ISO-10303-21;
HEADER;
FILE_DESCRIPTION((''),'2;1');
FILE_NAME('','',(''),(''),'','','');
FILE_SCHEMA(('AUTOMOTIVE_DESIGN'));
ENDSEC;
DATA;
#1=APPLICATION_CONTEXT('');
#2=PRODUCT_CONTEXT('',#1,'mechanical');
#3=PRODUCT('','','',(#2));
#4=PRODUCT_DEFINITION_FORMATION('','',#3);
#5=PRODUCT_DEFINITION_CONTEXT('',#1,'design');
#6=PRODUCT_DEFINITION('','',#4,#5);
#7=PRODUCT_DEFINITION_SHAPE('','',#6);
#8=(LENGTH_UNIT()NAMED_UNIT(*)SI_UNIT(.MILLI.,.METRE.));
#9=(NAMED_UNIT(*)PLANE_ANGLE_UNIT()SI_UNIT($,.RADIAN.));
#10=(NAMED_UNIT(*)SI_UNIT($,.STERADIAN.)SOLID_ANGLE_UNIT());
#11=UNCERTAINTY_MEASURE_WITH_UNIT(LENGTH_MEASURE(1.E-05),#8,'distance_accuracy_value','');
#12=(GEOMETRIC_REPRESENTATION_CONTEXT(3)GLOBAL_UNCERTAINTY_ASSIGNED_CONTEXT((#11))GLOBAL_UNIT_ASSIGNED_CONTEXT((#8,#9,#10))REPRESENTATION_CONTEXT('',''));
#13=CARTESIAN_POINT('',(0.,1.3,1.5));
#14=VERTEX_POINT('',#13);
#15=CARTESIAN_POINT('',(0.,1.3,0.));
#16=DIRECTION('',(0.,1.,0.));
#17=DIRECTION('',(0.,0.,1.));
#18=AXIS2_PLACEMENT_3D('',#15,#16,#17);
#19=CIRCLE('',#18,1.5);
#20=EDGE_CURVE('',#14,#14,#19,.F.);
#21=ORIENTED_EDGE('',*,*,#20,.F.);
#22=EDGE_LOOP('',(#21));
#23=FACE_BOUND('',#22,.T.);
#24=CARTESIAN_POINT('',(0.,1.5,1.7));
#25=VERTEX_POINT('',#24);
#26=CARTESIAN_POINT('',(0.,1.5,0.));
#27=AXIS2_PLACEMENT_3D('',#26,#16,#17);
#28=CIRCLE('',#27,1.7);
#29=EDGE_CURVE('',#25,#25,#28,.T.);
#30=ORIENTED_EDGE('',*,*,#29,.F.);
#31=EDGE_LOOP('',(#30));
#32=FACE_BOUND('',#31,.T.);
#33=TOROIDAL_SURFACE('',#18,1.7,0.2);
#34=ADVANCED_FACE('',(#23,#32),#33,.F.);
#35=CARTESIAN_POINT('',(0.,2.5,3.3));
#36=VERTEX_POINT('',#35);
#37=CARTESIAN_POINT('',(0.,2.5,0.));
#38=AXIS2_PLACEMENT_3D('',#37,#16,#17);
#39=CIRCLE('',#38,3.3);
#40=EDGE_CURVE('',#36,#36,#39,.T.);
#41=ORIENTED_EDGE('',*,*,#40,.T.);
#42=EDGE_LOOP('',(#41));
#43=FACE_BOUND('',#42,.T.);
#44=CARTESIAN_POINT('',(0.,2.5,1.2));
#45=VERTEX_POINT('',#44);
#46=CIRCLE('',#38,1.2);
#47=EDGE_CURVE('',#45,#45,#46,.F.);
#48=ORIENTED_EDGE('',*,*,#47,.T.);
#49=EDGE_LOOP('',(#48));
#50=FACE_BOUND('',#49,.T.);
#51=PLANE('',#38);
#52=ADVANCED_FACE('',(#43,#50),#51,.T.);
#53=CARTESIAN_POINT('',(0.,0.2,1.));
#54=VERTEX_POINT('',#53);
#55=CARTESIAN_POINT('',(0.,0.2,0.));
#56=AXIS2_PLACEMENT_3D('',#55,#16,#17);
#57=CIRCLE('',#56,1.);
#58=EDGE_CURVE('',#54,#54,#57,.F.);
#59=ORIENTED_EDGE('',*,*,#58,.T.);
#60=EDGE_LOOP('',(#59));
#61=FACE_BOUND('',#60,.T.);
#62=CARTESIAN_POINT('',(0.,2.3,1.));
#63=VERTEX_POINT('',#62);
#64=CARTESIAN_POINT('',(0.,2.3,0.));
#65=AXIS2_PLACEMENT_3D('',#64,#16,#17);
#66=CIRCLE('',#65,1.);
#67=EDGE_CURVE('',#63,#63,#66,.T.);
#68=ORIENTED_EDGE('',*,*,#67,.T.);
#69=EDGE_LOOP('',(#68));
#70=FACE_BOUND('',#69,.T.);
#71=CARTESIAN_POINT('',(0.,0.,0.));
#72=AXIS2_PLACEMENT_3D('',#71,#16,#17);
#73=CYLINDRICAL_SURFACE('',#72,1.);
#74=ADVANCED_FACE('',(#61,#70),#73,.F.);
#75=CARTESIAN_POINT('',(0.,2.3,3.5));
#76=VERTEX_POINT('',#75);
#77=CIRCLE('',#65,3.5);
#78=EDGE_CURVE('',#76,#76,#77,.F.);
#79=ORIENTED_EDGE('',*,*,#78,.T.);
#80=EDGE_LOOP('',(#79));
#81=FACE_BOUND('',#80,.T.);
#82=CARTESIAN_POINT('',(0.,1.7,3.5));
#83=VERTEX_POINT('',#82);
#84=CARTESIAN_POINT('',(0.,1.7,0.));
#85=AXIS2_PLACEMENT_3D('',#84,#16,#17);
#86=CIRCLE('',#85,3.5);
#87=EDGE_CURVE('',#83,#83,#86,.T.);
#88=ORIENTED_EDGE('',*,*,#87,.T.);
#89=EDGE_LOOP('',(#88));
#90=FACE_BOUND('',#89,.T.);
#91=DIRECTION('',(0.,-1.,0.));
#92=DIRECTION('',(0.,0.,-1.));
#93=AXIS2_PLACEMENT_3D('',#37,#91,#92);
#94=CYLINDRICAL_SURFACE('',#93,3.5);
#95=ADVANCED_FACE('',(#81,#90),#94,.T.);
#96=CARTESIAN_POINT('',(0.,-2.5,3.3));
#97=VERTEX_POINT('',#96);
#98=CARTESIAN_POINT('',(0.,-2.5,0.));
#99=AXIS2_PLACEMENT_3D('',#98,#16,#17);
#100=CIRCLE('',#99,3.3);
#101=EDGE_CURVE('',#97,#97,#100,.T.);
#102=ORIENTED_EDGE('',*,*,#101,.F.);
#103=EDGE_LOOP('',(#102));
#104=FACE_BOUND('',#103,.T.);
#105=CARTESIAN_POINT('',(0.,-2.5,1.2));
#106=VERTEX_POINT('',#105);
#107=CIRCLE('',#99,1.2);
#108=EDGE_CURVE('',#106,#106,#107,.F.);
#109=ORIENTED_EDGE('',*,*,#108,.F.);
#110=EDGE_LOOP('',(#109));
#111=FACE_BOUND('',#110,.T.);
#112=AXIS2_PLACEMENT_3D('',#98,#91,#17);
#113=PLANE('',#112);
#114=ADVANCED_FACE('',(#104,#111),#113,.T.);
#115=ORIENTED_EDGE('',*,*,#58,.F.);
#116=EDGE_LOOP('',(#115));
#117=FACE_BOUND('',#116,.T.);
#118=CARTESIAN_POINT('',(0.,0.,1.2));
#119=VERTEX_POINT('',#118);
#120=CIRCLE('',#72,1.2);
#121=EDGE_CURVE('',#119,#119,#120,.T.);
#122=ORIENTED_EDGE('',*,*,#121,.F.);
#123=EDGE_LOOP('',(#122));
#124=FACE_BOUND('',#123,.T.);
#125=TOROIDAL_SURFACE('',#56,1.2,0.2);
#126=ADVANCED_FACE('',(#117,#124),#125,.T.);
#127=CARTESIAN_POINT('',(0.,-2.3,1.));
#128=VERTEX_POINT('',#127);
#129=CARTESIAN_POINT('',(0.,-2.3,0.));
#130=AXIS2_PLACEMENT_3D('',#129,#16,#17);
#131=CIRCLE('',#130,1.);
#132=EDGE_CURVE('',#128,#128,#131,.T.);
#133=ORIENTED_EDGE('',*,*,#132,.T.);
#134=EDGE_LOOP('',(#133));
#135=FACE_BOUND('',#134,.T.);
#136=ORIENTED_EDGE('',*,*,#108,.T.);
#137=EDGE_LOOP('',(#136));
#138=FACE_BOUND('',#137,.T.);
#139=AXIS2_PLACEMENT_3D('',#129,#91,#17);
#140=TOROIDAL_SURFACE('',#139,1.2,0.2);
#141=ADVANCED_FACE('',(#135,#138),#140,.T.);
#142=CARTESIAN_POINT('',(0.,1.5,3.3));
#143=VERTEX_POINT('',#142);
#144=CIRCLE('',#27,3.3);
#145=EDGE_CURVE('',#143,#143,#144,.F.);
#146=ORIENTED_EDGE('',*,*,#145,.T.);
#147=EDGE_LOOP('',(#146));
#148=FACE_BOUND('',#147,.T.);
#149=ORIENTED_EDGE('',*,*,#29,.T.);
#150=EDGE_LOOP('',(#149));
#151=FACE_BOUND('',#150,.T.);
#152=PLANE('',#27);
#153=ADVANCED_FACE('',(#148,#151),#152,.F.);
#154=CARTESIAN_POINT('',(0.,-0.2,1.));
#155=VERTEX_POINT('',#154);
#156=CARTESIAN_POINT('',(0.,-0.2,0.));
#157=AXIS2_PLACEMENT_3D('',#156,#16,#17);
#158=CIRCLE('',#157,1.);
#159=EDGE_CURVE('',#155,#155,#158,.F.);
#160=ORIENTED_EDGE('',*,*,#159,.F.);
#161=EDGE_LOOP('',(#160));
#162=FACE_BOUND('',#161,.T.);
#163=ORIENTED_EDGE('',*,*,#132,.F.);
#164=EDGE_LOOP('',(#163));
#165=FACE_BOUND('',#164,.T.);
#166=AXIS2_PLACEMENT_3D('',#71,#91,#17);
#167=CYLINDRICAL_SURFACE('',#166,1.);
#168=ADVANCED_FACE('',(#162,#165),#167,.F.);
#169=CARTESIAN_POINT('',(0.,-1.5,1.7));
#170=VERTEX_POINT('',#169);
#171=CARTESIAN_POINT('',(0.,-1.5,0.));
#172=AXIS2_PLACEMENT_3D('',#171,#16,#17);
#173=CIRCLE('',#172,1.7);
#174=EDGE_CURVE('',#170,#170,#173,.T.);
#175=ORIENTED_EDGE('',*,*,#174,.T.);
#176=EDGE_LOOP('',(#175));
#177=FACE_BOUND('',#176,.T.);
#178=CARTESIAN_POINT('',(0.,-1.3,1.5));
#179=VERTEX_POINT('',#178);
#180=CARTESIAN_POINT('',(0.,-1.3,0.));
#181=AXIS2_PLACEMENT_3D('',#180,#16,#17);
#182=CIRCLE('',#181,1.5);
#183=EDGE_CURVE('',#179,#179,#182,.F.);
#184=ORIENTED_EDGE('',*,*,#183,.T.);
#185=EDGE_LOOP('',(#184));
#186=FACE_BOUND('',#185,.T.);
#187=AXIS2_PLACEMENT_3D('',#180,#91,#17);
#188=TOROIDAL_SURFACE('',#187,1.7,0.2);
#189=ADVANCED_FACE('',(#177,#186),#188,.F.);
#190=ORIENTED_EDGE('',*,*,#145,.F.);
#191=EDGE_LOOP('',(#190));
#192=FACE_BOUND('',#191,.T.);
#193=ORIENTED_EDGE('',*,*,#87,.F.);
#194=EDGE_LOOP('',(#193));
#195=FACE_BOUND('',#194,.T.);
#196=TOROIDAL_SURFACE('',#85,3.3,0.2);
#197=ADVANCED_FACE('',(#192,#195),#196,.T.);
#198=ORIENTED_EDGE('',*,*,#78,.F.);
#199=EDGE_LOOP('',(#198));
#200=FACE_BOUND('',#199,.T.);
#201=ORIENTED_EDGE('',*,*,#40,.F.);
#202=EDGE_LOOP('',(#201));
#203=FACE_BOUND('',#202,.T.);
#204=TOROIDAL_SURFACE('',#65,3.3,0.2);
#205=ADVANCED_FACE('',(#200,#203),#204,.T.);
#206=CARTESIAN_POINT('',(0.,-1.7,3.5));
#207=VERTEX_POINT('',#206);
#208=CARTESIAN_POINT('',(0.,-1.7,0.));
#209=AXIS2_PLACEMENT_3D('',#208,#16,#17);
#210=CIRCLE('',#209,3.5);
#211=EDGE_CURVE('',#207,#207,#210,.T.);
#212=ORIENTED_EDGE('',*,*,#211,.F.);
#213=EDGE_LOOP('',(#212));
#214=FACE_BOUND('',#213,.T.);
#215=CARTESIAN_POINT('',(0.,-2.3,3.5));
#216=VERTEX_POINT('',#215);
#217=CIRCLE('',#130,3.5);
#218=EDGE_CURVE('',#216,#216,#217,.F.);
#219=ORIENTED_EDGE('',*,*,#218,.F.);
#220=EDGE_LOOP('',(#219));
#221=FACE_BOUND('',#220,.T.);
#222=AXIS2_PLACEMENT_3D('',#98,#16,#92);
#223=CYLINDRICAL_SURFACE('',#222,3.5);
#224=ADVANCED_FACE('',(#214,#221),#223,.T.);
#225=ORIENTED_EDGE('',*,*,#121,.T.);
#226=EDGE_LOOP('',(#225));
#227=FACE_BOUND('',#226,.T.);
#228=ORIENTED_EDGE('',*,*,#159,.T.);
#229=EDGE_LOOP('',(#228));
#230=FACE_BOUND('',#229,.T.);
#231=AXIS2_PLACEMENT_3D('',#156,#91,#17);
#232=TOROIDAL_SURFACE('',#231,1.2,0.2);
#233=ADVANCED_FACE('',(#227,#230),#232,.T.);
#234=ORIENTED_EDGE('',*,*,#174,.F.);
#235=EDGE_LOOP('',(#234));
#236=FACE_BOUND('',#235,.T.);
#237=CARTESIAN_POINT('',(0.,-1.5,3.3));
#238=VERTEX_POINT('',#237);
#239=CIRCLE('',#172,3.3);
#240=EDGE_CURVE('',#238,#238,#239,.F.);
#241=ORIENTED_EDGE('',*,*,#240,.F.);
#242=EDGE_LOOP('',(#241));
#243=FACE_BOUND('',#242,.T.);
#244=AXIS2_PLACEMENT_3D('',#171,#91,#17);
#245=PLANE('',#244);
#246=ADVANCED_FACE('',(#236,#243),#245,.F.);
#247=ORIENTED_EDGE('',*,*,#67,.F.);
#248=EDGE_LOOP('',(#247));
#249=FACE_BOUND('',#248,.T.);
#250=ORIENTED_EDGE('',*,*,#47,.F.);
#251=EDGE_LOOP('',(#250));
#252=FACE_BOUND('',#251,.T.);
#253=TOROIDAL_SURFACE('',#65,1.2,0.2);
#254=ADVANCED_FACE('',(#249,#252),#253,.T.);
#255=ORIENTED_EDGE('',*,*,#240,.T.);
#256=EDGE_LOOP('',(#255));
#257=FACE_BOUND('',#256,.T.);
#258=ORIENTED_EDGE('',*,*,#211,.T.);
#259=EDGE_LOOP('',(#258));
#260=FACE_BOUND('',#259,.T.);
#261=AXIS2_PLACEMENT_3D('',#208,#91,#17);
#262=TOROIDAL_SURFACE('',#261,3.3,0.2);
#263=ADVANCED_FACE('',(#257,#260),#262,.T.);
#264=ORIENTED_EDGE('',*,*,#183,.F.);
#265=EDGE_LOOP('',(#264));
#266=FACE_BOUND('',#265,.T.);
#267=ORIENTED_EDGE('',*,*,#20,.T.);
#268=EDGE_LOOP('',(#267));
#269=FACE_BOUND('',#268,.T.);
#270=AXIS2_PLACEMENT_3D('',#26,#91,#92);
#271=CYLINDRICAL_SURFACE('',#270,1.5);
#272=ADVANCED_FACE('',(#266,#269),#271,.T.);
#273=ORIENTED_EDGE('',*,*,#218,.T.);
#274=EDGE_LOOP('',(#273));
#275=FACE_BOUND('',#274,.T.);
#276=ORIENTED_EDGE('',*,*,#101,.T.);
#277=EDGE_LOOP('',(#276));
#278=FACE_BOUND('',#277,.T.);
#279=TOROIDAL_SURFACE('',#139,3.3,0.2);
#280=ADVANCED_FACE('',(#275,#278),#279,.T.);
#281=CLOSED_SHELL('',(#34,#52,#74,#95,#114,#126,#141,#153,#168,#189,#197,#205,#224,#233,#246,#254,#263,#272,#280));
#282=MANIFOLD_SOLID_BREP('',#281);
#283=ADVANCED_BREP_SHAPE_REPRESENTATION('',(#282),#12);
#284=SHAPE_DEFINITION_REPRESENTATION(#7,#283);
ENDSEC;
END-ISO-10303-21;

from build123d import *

# Parameters (mm, degrees)
SKETCH1_R           = 1.5
BOSS_EXTRUDE1_DEPTH = 1.5
SKETCH2_R           = 3.5
BOSS_EXTRUDE2_DEPTH = 1
SKETCH3_R           = 1
CUT_EXTRUDE1_DEPTH  = 6.545268253
FILLET1_R           = 0.2
FILLET2_R           = 0.2


with BuildPart() as part:
    # Sketch1 → Boss-Extrude1 (new body)
    with BuildSketch(Plane(origin=(0, 0, 0), x_dir=(1, 0, 0), z_dir=(0, 1, 0))):
        with Locations(Location((0, 0, 0), (0, 0, 270))):
            Circle(SKETCH1_R)
    extrude(amount=BOSS_EXTRUDE1_DEPTH)

    # Sketch2 → Boss-Extrude2 (add)
    with BuildSketch(Plane(origin=(0, 1.5, 0), x_dir=(1, 0, 0), z_dir=(0, 1, 0))):
        with Locations(Location((0, 0, 0), (0, 0, 270))):
            Circle(SKETCH2_R)
    extrude(amount=BOSS_EXTRUDE2_DEPTH)

    # Sketch3 → Cut-Extrude1 (cut, through all)
    with BuildSketch(Plane(origin=(0, 2.5, 0), x_dir=(1, 0, 0), z_dir=(0, 1, 0))):
        with Locations(Location((0, 0, 0), (0, 0, 270))):
            Circle(SKETCH3_R)
    extrude(amount=-CUT_EXTRUDE1_DEPTH, mode=Mode.SUBTRACT)

    # Fillet1
    fillet1_edges = [part.edges().sort_by_distance(p)[0] for p in [
        (0, 0, -1),
        (0, 2.5, -1),
        (0, 1.5, -3.5),
        (0, 2.5, -3.5),
    ]]
    fillet(fillet1_edges, radius=FILLET1_R)

    # Fillet2
    fillet2_edges = [part.edges().sort_by_distance(p)[0] for p in [
        (0, 1.5, -1.5),
    ]]
    fillet(fillet2_edges, radius=FILLET2_R)

    # Mirror1: part across plane


with BuildPart() as part_1:
    add(part.part)
    add(part.part.mirror(Plane.ZX))


solid = part_1.part
